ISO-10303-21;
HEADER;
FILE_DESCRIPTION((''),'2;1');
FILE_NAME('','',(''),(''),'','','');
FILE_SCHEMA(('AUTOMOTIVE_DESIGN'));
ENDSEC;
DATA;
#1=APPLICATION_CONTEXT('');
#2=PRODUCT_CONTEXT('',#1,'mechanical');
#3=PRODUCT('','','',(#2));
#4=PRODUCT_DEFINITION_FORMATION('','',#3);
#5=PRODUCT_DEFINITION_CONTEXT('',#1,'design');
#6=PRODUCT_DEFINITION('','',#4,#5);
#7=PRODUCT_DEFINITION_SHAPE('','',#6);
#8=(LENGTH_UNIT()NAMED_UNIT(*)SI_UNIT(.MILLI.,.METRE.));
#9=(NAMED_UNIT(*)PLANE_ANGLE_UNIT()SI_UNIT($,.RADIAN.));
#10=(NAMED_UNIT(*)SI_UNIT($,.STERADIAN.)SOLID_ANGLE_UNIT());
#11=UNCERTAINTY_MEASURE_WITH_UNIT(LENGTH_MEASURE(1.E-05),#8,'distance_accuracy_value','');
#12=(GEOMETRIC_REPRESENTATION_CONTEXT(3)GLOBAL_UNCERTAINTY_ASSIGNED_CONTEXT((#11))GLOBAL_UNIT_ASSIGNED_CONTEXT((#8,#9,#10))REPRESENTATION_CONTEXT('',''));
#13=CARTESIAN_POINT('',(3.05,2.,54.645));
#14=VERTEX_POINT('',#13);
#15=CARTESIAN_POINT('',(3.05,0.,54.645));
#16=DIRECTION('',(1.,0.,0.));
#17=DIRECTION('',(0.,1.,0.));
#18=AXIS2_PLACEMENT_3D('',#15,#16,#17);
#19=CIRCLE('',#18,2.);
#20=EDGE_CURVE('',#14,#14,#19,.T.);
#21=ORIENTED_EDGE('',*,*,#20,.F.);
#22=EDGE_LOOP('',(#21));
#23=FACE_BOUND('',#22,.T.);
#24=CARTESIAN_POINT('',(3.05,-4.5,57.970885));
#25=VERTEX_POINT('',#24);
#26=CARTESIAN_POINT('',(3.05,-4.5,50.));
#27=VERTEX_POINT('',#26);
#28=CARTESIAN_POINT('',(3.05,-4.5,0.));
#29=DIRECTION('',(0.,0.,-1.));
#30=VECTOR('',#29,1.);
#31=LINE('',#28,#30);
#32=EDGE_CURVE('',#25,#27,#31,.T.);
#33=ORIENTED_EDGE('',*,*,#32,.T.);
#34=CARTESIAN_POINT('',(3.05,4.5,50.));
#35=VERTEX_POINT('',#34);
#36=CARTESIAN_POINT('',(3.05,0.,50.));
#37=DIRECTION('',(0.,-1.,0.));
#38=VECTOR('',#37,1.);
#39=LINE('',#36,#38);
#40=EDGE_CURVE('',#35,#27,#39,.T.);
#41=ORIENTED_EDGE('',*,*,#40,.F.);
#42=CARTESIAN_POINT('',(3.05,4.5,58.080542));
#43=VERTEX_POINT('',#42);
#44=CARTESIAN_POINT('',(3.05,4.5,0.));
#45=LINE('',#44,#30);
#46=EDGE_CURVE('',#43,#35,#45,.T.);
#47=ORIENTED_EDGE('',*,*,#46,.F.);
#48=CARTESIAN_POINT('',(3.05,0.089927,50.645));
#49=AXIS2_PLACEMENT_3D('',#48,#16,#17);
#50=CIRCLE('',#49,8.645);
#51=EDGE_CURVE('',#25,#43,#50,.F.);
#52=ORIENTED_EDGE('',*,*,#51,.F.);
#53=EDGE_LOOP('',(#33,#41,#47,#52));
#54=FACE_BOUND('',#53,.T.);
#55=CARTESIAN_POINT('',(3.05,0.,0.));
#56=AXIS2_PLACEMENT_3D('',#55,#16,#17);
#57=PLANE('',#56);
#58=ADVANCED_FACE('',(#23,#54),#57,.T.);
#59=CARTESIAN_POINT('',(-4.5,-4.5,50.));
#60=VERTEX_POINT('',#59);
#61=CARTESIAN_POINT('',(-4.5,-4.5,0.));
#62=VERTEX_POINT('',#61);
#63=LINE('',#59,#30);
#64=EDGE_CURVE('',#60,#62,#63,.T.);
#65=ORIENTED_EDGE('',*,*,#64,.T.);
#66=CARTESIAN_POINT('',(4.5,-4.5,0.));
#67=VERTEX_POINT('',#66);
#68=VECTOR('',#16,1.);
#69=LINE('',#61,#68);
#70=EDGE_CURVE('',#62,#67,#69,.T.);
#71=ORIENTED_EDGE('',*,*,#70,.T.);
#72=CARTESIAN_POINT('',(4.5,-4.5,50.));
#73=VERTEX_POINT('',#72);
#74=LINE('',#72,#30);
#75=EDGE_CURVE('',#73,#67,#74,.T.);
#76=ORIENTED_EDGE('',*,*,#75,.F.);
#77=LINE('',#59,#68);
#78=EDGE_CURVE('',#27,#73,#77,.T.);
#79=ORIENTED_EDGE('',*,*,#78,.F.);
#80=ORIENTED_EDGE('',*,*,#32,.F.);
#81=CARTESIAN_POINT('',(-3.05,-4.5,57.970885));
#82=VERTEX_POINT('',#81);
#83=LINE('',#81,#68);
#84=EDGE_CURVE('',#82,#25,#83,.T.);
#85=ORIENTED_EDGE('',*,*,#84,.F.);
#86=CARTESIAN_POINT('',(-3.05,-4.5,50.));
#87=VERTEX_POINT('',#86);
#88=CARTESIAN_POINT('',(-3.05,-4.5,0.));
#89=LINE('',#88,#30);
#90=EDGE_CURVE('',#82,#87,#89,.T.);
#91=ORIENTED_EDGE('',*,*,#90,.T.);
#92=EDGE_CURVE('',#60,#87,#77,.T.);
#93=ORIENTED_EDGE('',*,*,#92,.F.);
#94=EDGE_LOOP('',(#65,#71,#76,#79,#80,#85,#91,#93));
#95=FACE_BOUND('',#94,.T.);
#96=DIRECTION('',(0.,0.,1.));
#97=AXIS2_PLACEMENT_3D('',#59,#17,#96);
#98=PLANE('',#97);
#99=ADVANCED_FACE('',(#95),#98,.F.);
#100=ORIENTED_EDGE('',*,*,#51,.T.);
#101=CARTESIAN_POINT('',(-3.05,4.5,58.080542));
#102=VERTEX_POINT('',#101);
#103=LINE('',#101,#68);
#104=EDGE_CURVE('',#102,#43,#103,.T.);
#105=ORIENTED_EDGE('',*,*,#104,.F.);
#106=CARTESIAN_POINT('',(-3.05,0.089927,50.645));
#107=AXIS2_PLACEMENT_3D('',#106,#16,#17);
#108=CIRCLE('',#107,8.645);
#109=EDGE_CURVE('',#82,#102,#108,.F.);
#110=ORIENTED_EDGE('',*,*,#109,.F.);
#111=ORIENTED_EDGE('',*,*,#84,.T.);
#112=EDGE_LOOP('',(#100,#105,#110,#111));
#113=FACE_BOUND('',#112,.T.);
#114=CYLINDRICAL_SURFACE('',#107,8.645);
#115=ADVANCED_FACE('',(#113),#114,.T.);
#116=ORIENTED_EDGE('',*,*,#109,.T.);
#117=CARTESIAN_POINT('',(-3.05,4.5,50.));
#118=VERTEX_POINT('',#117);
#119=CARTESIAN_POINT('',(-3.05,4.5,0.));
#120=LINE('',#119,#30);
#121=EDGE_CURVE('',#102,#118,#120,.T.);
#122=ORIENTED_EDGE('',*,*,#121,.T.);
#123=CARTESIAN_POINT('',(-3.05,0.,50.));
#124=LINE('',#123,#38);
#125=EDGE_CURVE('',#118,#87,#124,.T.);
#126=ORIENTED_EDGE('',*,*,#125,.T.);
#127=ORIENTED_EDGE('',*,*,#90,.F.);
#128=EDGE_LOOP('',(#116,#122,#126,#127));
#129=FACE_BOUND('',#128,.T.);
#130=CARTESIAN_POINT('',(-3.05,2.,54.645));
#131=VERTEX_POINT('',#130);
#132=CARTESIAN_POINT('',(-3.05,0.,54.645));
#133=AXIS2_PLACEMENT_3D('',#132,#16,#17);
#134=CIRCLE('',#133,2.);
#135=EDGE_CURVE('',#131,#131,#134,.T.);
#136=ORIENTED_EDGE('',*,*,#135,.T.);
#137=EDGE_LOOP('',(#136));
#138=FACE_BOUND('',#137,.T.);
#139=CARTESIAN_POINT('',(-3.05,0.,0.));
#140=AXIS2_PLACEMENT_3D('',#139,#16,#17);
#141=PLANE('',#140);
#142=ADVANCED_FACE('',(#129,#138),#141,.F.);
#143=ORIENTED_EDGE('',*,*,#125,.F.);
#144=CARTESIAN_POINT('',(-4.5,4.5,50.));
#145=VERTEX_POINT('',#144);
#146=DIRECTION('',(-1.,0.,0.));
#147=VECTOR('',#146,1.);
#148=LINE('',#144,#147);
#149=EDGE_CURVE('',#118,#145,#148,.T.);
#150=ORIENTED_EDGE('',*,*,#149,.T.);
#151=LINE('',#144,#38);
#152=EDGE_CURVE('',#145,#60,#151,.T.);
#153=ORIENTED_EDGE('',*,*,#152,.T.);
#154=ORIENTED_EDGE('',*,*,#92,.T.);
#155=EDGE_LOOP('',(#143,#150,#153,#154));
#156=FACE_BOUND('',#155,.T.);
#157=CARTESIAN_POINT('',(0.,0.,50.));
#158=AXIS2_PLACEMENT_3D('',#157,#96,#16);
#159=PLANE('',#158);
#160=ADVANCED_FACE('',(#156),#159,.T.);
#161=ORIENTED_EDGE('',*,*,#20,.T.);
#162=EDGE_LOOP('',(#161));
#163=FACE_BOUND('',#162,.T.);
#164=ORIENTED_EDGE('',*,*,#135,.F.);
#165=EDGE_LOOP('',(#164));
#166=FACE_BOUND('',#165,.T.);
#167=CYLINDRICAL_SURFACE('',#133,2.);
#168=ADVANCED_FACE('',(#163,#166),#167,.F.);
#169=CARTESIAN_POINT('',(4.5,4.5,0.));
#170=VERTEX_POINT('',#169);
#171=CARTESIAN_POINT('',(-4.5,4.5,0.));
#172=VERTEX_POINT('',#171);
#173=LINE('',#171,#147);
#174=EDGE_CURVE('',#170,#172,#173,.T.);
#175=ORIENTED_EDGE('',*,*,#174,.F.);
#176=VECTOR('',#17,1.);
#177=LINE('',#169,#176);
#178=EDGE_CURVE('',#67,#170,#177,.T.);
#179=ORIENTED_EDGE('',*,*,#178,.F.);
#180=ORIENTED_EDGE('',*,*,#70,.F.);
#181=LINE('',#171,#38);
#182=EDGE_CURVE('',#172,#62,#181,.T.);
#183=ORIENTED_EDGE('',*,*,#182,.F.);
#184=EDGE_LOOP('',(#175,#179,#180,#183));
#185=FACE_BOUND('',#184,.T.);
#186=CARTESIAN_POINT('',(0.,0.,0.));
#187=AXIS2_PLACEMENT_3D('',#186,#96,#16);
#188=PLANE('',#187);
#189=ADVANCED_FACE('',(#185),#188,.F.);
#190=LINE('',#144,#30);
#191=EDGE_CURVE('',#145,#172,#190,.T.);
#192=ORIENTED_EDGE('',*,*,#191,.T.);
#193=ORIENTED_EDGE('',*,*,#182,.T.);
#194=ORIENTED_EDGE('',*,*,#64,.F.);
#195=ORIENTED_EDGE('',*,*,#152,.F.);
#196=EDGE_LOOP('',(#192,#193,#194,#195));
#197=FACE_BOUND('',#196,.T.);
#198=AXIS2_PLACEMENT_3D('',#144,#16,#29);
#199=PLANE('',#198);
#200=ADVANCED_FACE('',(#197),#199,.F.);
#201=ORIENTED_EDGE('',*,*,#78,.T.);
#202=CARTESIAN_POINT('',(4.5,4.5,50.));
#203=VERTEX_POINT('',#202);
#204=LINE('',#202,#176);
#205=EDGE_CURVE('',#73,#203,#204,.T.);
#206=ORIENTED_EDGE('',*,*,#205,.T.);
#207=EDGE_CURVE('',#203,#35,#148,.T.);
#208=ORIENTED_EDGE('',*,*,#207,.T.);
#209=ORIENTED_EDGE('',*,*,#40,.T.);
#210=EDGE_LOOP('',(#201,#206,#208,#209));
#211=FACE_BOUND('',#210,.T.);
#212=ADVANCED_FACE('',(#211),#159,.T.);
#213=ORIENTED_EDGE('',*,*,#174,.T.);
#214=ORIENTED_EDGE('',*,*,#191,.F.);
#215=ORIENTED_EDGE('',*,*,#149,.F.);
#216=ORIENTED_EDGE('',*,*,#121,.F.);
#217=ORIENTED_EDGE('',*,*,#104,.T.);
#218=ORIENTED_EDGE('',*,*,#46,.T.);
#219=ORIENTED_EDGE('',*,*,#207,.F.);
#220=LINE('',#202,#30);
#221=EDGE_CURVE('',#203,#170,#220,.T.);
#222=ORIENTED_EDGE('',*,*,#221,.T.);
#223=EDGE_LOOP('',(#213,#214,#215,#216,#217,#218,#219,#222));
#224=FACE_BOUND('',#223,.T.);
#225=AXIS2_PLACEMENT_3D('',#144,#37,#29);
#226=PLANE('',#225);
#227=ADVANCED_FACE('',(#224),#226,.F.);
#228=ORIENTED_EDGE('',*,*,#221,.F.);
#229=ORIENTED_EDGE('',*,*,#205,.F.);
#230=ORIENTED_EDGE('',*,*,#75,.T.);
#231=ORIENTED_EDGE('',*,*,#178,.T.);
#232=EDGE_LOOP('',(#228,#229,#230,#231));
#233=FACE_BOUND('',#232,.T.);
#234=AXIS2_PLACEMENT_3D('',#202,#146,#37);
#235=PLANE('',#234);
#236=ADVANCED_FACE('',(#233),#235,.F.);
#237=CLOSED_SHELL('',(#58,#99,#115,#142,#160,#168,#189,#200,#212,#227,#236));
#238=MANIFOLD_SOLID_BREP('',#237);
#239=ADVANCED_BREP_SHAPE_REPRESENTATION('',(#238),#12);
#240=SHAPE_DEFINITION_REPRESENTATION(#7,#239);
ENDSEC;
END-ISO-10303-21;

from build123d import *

# Parameters (mm, degrees)
ESQUISSE1_W        = 9
ESQUISSE1_H        = 9
BOSS_EXTRU_1_DEPTH = 50
BOSS_EXTRU_3_START = -1.45
ESQUISSE2_R        = 2
BOSS_EXTRU_3_DEPTH = 6.1


with BuildPart() as part:
    # Esquisse1 → Boss.-Extru.1 (new body)
    with BuildSketch(Plane.XY):
        Rectangle(ESQUISSE1_W, ESQUISSE1_H)
    extrude(amount=BOSS_EXTRU_1_DEPTH)

    # Esquisse2 → Boss.-Extru.3 (add)
    with BuildSketch(Plane(origin=(4.5, 0, 0), x_dir=(0, 0, -1), z_dir=(1, 0, 0)).offset(BOSS_EXTRU_3_START)):
        with BuildLine():
            Line((-50, 4.5), (-58.080541819, 4.5))
            ThreePointArc((-58.080541819, 4.5), (-58.982154324, 2.376383494), (-59.29, 0.089927018))
            ThreePointArc((-59.29, 0.089927018), (-58.953679263, -2.297932577), (-57.970885209, -4.5))
            Line((-57.970885209, -4.5), (-50, -4.5))
            Line((-50, -4.5), (-50, 4.5))
        make_face()
        with Locations(Location((-54.645, 0, 0), (0, 0, 90))):
            Circle(ESQUISSE2_R, mode=Mode.SUBTRACT)
    extrude(amount=-BOSS_EXTRU_3_DEPTH)


solid = part.part
